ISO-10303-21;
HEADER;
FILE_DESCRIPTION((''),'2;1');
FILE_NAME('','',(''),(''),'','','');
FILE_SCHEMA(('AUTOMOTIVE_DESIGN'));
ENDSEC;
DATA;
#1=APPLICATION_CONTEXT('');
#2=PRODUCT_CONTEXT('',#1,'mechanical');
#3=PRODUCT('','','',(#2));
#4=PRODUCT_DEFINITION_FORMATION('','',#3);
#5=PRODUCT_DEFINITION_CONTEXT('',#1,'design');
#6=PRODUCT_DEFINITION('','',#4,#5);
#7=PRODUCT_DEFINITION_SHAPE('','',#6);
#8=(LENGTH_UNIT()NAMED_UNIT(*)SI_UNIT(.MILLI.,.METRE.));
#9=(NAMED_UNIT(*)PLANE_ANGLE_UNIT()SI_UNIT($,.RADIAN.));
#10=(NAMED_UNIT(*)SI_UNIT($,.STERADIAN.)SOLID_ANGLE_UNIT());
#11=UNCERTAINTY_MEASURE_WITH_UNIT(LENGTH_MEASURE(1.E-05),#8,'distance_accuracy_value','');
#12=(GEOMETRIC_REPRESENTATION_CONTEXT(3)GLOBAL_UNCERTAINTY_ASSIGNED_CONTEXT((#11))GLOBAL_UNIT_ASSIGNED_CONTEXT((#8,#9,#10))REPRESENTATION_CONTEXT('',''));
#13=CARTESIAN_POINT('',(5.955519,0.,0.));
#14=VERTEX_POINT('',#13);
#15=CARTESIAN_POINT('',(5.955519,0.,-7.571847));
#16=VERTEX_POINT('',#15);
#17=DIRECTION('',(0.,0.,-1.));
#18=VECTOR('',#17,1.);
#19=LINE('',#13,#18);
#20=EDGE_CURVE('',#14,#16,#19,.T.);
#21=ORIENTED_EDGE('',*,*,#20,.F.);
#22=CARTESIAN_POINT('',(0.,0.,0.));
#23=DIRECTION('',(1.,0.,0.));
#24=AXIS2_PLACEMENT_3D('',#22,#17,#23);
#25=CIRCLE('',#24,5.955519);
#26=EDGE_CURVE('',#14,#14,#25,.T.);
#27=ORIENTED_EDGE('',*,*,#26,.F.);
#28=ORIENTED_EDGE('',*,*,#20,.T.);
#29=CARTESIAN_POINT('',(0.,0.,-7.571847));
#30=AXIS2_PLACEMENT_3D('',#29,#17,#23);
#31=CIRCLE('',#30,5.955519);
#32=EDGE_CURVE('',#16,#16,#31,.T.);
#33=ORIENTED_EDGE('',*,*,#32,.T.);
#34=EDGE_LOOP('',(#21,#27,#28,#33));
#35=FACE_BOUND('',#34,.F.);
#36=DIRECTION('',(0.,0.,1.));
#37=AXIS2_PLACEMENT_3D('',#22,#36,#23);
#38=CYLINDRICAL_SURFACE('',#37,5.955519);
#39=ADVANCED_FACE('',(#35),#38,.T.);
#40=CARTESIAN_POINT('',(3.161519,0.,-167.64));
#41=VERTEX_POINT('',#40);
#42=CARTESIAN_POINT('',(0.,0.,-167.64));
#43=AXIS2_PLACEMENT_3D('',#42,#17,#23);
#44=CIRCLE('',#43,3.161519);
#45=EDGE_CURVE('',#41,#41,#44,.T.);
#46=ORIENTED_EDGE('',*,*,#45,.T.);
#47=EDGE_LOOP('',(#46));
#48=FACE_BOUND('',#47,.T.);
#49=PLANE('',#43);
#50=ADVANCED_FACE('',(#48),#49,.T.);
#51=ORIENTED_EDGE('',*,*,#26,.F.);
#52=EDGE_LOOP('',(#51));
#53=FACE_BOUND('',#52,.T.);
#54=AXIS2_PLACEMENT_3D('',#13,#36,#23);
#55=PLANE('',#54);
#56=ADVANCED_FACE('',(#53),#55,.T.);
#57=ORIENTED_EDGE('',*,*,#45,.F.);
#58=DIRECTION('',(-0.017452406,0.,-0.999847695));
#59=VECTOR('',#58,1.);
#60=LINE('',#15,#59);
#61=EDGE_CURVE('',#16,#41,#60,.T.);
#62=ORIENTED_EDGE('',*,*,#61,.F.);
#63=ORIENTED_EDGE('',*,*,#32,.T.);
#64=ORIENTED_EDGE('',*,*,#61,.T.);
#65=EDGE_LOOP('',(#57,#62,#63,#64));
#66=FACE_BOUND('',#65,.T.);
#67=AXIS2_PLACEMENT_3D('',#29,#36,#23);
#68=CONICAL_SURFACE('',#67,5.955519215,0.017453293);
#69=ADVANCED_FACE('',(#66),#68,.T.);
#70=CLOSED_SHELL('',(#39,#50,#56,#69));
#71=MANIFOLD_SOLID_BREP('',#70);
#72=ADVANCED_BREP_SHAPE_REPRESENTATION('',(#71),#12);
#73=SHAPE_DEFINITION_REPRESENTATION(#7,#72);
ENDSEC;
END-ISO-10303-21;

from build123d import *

# Parameters (mm, degrees)
F0_R      = 20.2439763863
F1_DEPTH  = 10.16
F2_R      = 12.3390116376
F3_DEPTH  = 8.89
F5_DEPTH  = 0.254
F6_DEPTH  = 0.254
F7_DEPTH  = 2.286
F8_DEPTH  = 2.286
F10_DEPTH = 25.4
F11_DEPTH = 50.8
F12_DEPTH = 1.27
F13_DEPTH = 1.27
F14_DEPTH = 25.4
F15_R     = 5.9555192151
F16_DEPTH = 167.64
F17_SIZE2 = 2.794
F17_SIZE  = 160.0681527963
F18_W     = 45.1150629669
F18_H     = 21.0420321673
F19_DEPTH = 25.4
F20_DEPTH = 25.4


with BuildPart() as f1:
    # F0 (on Top) → F1 (new body)
    with BuildSketch(Plane.XY):
        Circle(F0_R)
    extrude(amount=F1_DEPTH)

    # F2 (on face) → F3 (join)
    with BuildSketch(Plane.XY.offset(10.16)):
        Circle(F2_R)
    extrude(amount=F3_DEPTH)

    # F4 (on Front) → F5 (join)
    with BuildSketch(Plane.XZ):
        with BuildLine():
            add(Edge.make_bspline(
                [(-12.1147008613, 18.9316812903), (-12.5825885387, 39.643614737), (-14.1043760911, 180.4872847527), (-20.1423116849, 215.1594423433), (-16.5980636671, 214.2285434237), (-12.8136342596, 217.1071550637), (-13.8994905387, 225.3991797656), (-17.690195851, 229.7737918888), (-21.3235962144, 228.5443351063), (-21.72468447, 231.1706865689), (-23.0745608098, 250.4649690024), (-22.9518555989, 256.8313726894), (-25.9612755155, 279.5145026457), (-19.7421258922, 272.3476049684), (-8.8885956952, 268.998501799), (6.6271937698, 261.4946225406), (12.2027765589, 256.1934321206), (17.5689411606, 248.9539384021), (19.5820695948, 242.6412768865), (21.7285943019, 235.2163703421), (21.0795757322, 226.6989574981), (17.1180518063, 124.7114584437), (15.2094878956, 77.70771609), (11.6083548837, 18.1667354361), (12.5199184163, 13.1739974773), (7.8980496645, 11.3722942506), (0.3726356815, 13.3748423837), (-11.8699226938, 12.3427906017), (-12.0266797417, 15.035259866), (-12.1147008613, 18.9316812903)],
                knots=[0, 0, 0, 0, 0.1257254435, 0.1801466998, 0.1919036578, 0.2112403794, 0.2389108592, 0.261334308, 0.2775826335, 0.2907551098, 0.3325149493, 0.3636705446, 0.4039783899, 0.4240659342, 0.4586729556, 0.4992031799, 0.5266476396, 0.5552636706, 0.5809163826, 0.6063516787, 0.6344015668, 0.7303572224, 0.8074506533, 0.8789177389, 0.897509656, 0.9162026247, 0.9446563322, 0.976347968, 1, 1, 1, 1], degree=3))
        make_face()
    extrude(amount=F5_DEPTH)

    # F6 (add): a face of the model
    f6_faces = [f1.faces().sort_by_distance(p)[0] for p in [
        (0.2349858377, 0, 153.5959306446),
    ]]
    extrude(f6_faces, amount=F6_DEPTH)

    # F7 (add): a face of the model
    f7_faces = [f1.faces().sort_by_distance(p)[0] for p in [
        (0.2349858377, 0.254, 153.5959306446),
    ]]
    extrude(f7_faces, amount=F7_DEPTH)

    # F8 (add): a face of the model
    f8_faces = [f1.faces().sort_by_distance(p)[0] for p in [
        (0.2349858377, -0.254, 153.5959306446),
    ]]
    extrude(f8_faces, amount=F8_DEPTH)

    # F9 (on Front) → F10 (join)
    with BuildSketch(Plane.XZ):
        Polygon((-28.4392070025, 277.075022459), (5.8726719581, 261.9545459747), (-7.6194559224, 282.5416624546), align=None)
    extrude(amount=F10_DEPTH)

    # F11 (cut): a face of the model
    f11_faces = [f1.faces().sort_by_distance(p)[0] for p in [
        (-10.061996989, -25.4, 273.8570769628),
    ]]
    extrude(f11_faces, amount=-F11_DEPTH, mode=Mode.SUBTRACT)

    # F12 (cut): a face of the model
    f12_faces = [f1.faces().sort_by_distance(p)[0] for p in [
        (0.248434517, -2.54, 153.5481680876),
    ]]
    extrude(f12_faces, amount=-F12_DEPTH, mode=Mode.SUBTRACT)

    # F13 (cut): a face of the model
    f13_faces = [f1.faces().sort_by_distance(p)[0] for p in [
        (0.248434517, 2.54, 153.5481680876),
    ]]
    extrude(f13_faces, amount=-F13_DEPTH, mode=Mode.SUBTRACT)

    # F14 (cut): a face of the model
    f14_faces = [f1.faces().sort_by_distance(p)[0] for p in [
        (0.248434517, -1.27, 153.5481680876),
    ]]
    extrude(f14_faces, amount=-F14_DEPTH, mode=Mode.SUBTRACT)

    # F15 (on face) → F16 (join)
    with BuildSketch(Plane(origin=(0, 0, 0), x_dir=(1, 0, 0), z_dir=(0, 0, -1))):
        Circle(F15_R)
    extrude(amount=F16_DEPTH)

    # F17
    f17_edges = [f1.edges().sort_by_distance(p)[0] for p in [
        (-5.955519, 0, -167.64),
    ]]
    f17_side = f1.faces().sort_by_distance((-5.955519, 0, -83.82))[0]
    chamfer(f17_edges, length=F17_SIZE, length2=F17_SIZE2, reference=f17_side)

    # F18 (on Front) → F19 (cut)
    with BuildSketch(Plane.XZ):
        with Locations((1.2053744867, 10.5210160837)):
            Rectangle(F18_W, F18_H)
    extrude(amount=-F19_DEPTH, mode=Mode.SUBTRACT)

    # F20 (cut): a face of the model
    f20_faces = [f1.faces().sort_by_distance(p)[0] for p in [
        (0, 0, 8.3930130148),
    ]]
    extrude(f20_faces, amount=-F20_DEPTH, mode=Mode.SUBTRACT)


solid = f1.part
